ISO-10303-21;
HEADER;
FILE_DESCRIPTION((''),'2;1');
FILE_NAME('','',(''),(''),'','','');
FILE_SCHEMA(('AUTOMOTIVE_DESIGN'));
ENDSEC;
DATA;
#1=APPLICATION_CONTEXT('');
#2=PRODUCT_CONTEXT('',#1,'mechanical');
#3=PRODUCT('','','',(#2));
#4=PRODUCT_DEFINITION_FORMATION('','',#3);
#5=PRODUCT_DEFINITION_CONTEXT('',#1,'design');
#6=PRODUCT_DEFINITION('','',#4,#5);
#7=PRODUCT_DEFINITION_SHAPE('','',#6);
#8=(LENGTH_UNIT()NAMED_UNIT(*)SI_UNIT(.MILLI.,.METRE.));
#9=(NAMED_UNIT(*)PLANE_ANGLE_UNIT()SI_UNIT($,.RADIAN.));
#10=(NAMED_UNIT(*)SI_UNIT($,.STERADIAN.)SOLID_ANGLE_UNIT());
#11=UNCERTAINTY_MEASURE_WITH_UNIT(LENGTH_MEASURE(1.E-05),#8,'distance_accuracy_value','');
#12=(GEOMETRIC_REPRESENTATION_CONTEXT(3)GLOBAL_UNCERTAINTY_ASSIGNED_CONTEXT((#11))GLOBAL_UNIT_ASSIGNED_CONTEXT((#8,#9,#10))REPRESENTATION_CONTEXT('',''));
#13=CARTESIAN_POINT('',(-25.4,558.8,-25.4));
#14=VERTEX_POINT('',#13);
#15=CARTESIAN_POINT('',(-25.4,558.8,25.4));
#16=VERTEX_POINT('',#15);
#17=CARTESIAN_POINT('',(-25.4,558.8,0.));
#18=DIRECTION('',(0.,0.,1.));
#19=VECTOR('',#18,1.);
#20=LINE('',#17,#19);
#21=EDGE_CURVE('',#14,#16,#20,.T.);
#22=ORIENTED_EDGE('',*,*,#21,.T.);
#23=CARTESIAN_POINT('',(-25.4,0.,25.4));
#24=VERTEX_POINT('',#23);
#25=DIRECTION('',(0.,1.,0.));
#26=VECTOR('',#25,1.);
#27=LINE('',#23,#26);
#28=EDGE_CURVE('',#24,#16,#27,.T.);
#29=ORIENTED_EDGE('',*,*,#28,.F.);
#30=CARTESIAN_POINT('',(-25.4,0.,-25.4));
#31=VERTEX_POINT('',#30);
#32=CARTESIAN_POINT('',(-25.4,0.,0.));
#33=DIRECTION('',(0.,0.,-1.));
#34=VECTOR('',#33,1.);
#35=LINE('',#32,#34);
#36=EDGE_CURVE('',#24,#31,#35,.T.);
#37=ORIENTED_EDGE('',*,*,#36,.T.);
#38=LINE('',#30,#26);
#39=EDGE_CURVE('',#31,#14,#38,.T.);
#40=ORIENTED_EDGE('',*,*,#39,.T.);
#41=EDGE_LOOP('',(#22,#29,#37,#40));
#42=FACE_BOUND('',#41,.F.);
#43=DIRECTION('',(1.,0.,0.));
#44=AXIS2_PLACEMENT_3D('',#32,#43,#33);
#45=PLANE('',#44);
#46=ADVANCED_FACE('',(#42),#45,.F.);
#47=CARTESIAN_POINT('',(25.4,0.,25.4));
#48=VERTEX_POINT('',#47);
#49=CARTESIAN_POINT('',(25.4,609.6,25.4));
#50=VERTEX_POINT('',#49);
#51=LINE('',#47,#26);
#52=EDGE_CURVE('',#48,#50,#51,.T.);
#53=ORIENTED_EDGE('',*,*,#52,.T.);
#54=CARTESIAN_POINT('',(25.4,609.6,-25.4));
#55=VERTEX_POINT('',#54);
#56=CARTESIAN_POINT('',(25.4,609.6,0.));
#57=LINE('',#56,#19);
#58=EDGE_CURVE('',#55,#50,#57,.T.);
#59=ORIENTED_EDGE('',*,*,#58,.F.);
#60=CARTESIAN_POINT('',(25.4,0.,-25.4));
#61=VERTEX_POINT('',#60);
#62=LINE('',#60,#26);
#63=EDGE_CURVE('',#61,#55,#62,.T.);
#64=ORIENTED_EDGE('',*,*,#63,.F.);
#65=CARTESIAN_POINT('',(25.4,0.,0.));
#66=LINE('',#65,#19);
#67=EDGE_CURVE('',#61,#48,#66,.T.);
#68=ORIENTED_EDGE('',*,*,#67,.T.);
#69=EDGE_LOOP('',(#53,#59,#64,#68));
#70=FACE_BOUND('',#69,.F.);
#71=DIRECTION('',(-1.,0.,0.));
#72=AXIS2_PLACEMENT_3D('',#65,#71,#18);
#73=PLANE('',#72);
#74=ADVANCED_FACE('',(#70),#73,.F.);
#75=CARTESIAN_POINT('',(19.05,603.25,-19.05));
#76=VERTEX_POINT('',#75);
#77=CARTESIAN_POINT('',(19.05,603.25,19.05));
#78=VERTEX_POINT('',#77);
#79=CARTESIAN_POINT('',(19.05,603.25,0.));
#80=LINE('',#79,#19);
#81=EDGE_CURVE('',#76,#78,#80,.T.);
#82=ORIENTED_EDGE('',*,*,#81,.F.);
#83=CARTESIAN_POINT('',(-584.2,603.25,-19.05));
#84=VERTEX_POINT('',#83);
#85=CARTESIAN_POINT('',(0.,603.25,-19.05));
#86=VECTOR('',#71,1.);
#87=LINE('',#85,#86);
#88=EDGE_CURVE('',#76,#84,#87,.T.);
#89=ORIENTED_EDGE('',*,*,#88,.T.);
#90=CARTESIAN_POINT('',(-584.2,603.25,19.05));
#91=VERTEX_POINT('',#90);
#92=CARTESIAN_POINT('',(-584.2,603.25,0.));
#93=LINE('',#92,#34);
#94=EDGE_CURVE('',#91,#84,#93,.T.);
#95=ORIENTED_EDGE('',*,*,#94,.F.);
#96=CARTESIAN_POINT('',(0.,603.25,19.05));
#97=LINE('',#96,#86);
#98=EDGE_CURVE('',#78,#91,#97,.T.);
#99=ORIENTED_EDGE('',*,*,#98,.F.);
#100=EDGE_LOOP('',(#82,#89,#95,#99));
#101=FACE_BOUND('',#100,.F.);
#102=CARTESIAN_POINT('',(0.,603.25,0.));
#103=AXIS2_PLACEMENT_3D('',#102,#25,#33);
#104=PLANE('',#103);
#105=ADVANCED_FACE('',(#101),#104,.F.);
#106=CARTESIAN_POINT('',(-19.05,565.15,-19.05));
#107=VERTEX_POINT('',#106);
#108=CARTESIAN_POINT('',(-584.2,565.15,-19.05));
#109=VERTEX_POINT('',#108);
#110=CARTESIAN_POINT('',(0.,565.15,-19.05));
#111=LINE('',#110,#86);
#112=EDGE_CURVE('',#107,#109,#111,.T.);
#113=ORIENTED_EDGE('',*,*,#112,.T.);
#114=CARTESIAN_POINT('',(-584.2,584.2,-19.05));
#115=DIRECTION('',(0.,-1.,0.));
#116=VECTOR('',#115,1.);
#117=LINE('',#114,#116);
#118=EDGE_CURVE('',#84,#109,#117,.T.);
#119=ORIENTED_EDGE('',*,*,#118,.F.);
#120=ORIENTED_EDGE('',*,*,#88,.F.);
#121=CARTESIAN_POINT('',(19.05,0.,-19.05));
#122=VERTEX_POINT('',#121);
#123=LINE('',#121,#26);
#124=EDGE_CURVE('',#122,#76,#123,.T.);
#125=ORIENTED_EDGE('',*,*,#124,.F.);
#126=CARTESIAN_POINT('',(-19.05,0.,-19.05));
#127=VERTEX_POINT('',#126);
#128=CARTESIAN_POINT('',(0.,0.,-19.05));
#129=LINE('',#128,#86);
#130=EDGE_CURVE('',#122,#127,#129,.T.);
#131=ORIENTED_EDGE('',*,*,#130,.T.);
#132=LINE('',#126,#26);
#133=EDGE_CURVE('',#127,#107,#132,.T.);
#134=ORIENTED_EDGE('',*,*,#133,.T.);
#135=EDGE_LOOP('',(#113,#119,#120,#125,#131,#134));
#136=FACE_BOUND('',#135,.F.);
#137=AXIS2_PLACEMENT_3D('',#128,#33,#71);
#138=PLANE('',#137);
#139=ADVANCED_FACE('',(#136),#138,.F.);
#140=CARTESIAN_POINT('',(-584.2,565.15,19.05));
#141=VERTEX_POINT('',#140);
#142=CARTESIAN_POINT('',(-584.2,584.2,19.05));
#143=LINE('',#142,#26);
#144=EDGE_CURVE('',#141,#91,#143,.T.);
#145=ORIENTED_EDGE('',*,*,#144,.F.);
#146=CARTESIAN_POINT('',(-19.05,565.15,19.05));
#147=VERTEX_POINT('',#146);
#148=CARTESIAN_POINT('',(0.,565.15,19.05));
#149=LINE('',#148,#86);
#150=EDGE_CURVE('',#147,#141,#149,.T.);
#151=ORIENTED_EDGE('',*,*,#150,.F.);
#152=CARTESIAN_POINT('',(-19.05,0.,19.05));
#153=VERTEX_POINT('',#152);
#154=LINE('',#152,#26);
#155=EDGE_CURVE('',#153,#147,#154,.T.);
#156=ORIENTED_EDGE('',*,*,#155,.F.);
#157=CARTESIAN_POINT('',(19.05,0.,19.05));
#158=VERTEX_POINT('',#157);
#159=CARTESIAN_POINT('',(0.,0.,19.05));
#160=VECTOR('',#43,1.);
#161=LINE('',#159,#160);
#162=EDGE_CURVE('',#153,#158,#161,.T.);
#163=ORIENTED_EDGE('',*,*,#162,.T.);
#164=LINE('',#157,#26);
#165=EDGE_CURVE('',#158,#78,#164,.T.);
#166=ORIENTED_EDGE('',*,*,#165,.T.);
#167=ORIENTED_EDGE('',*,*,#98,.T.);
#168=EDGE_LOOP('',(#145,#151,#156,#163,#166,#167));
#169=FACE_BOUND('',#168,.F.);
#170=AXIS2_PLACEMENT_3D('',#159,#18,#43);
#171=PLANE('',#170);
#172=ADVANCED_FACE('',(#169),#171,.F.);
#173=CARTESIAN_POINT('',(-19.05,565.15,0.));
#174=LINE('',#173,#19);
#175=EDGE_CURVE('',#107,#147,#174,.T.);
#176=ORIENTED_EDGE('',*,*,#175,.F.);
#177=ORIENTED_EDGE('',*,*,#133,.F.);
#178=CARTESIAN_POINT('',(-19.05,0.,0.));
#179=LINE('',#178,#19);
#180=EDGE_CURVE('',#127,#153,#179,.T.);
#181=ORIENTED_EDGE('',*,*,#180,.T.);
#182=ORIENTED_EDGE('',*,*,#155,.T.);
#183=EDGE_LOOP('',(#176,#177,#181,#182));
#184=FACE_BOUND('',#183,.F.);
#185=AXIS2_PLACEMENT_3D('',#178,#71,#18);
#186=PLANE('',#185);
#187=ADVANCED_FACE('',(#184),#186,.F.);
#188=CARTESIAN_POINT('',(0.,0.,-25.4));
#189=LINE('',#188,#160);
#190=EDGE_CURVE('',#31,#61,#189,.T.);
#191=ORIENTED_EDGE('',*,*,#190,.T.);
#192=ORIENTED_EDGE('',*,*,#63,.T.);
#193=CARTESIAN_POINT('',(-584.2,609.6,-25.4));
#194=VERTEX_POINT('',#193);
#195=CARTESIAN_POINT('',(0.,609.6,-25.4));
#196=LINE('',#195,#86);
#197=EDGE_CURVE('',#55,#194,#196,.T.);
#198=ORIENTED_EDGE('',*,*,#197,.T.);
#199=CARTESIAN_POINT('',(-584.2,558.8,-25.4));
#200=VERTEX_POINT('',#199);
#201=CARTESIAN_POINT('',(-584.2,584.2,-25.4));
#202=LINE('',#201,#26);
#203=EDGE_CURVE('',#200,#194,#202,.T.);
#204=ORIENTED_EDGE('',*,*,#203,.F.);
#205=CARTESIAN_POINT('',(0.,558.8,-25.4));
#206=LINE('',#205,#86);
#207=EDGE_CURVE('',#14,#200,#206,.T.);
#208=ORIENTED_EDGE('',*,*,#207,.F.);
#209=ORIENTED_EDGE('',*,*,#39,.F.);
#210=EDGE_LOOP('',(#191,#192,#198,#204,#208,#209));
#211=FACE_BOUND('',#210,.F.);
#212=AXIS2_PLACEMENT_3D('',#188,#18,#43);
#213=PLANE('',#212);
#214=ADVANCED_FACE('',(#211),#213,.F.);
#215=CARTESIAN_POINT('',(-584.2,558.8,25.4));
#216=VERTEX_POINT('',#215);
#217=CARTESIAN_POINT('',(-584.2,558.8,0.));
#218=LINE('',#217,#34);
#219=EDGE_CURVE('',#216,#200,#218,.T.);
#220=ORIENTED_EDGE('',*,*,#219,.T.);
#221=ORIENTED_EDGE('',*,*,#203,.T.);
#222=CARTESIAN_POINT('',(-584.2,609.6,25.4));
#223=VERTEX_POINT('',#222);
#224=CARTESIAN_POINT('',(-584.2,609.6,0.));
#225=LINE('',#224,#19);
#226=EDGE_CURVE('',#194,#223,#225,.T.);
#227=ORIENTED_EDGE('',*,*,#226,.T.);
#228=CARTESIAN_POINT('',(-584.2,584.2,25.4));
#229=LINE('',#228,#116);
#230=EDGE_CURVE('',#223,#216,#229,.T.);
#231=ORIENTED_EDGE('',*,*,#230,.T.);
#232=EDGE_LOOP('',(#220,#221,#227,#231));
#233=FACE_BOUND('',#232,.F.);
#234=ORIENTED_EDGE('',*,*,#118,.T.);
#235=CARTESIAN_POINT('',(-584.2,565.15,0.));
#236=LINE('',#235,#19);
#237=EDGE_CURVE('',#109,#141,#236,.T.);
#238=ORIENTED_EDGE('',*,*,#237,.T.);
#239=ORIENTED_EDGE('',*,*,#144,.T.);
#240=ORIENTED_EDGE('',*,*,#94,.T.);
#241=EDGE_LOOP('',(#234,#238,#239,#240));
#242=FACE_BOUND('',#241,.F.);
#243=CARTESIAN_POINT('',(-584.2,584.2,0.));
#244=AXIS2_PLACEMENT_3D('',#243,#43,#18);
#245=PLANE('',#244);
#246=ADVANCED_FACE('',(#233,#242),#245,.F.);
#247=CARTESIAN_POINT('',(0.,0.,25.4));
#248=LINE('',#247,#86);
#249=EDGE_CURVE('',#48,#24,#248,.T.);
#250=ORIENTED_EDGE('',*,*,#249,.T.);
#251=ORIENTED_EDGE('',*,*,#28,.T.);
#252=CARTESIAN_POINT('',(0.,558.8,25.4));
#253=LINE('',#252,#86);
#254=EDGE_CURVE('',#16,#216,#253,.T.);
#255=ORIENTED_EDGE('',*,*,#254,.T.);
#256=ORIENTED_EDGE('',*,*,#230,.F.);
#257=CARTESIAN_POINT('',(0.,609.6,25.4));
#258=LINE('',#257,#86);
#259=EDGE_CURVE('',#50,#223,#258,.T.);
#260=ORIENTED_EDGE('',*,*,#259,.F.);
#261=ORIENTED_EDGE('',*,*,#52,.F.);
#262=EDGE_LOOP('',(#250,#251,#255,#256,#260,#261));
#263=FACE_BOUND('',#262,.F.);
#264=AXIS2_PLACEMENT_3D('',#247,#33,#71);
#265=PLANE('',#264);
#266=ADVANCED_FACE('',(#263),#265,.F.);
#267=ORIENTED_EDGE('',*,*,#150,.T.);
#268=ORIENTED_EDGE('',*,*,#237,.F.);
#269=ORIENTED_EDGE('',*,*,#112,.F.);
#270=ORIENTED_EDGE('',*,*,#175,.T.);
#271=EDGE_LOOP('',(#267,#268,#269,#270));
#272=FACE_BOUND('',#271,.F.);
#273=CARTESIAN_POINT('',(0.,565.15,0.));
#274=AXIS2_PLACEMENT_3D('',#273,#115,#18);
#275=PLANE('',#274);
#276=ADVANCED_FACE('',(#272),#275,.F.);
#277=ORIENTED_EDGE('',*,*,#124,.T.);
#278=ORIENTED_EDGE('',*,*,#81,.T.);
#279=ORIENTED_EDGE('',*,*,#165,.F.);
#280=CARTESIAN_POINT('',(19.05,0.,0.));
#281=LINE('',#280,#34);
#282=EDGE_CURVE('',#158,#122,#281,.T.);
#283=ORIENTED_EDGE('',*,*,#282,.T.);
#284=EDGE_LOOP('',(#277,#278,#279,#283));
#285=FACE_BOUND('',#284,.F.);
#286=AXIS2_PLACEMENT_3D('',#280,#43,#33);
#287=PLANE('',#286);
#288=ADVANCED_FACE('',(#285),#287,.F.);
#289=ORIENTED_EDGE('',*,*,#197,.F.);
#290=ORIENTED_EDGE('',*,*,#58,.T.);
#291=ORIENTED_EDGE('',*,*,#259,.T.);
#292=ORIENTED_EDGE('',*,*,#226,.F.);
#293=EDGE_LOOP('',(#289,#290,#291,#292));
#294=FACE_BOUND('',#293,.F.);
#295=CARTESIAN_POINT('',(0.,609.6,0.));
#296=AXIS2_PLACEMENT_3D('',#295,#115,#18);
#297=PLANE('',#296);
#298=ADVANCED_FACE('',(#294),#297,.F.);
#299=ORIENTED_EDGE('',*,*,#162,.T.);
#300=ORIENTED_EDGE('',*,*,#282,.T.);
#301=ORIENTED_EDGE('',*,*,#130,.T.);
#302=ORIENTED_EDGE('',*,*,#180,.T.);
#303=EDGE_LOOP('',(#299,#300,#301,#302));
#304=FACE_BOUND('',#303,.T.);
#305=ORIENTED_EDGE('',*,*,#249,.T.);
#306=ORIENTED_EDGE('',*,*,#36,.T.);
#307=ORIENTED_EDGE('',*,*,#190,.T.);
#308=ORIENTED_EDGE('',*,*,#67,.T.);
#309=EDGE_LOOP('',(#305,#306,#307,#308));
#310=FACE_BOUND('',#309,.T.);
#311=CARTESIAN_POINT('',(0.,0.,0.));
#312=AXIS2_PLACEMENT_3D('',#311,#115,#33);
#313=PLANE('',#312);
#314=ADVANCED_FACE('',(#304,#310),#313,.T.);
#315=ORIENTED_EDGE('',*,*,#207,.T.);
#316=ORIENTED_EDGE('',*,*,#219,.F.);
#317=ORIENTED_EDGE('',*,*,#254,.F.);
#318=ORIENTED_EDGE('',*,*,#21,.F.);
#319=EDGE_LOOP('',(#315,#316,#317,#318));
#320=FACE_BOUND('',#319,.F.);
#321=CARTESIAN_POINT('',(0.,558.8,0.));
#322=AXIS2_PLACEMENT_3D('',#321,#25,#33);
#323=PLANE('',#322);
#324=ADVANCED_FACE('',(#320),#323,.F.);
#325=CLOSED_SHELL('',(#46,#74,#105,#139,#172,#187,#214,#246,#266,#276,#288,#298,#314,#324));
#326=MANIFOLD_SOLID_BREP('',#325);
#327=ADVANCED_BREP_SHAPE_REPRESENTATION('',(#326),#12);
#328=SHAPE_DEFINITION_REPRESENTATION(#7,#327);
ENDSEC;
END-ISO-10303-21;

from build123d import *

# Parameters (mm, degrees)
F1_W   = 50.8
F1_H   = 50.8
F1_W_2 = 38.1
F1_H_2 = 38.1


with BuildPart() as f2:
    # F2: sweep along a path in F0
    with BuildLine(Plane.XY) as f2_path:
        Line((0, 0), (0, 584.2))
        Line((0, 584.2), (-584.2, 584.2))
    # F1 (on Front) → F2 (sweep)
    with BuildSketch(Plane.XZ):
        Rectangle(F1_W, F1_H)
        Rectangle(F1_W_2, F1_H_2, mode=Mode.SUBTRACT)
    sweep(path=f2_path.line, transition=Transition.RIGHT)


solid = f2.part
